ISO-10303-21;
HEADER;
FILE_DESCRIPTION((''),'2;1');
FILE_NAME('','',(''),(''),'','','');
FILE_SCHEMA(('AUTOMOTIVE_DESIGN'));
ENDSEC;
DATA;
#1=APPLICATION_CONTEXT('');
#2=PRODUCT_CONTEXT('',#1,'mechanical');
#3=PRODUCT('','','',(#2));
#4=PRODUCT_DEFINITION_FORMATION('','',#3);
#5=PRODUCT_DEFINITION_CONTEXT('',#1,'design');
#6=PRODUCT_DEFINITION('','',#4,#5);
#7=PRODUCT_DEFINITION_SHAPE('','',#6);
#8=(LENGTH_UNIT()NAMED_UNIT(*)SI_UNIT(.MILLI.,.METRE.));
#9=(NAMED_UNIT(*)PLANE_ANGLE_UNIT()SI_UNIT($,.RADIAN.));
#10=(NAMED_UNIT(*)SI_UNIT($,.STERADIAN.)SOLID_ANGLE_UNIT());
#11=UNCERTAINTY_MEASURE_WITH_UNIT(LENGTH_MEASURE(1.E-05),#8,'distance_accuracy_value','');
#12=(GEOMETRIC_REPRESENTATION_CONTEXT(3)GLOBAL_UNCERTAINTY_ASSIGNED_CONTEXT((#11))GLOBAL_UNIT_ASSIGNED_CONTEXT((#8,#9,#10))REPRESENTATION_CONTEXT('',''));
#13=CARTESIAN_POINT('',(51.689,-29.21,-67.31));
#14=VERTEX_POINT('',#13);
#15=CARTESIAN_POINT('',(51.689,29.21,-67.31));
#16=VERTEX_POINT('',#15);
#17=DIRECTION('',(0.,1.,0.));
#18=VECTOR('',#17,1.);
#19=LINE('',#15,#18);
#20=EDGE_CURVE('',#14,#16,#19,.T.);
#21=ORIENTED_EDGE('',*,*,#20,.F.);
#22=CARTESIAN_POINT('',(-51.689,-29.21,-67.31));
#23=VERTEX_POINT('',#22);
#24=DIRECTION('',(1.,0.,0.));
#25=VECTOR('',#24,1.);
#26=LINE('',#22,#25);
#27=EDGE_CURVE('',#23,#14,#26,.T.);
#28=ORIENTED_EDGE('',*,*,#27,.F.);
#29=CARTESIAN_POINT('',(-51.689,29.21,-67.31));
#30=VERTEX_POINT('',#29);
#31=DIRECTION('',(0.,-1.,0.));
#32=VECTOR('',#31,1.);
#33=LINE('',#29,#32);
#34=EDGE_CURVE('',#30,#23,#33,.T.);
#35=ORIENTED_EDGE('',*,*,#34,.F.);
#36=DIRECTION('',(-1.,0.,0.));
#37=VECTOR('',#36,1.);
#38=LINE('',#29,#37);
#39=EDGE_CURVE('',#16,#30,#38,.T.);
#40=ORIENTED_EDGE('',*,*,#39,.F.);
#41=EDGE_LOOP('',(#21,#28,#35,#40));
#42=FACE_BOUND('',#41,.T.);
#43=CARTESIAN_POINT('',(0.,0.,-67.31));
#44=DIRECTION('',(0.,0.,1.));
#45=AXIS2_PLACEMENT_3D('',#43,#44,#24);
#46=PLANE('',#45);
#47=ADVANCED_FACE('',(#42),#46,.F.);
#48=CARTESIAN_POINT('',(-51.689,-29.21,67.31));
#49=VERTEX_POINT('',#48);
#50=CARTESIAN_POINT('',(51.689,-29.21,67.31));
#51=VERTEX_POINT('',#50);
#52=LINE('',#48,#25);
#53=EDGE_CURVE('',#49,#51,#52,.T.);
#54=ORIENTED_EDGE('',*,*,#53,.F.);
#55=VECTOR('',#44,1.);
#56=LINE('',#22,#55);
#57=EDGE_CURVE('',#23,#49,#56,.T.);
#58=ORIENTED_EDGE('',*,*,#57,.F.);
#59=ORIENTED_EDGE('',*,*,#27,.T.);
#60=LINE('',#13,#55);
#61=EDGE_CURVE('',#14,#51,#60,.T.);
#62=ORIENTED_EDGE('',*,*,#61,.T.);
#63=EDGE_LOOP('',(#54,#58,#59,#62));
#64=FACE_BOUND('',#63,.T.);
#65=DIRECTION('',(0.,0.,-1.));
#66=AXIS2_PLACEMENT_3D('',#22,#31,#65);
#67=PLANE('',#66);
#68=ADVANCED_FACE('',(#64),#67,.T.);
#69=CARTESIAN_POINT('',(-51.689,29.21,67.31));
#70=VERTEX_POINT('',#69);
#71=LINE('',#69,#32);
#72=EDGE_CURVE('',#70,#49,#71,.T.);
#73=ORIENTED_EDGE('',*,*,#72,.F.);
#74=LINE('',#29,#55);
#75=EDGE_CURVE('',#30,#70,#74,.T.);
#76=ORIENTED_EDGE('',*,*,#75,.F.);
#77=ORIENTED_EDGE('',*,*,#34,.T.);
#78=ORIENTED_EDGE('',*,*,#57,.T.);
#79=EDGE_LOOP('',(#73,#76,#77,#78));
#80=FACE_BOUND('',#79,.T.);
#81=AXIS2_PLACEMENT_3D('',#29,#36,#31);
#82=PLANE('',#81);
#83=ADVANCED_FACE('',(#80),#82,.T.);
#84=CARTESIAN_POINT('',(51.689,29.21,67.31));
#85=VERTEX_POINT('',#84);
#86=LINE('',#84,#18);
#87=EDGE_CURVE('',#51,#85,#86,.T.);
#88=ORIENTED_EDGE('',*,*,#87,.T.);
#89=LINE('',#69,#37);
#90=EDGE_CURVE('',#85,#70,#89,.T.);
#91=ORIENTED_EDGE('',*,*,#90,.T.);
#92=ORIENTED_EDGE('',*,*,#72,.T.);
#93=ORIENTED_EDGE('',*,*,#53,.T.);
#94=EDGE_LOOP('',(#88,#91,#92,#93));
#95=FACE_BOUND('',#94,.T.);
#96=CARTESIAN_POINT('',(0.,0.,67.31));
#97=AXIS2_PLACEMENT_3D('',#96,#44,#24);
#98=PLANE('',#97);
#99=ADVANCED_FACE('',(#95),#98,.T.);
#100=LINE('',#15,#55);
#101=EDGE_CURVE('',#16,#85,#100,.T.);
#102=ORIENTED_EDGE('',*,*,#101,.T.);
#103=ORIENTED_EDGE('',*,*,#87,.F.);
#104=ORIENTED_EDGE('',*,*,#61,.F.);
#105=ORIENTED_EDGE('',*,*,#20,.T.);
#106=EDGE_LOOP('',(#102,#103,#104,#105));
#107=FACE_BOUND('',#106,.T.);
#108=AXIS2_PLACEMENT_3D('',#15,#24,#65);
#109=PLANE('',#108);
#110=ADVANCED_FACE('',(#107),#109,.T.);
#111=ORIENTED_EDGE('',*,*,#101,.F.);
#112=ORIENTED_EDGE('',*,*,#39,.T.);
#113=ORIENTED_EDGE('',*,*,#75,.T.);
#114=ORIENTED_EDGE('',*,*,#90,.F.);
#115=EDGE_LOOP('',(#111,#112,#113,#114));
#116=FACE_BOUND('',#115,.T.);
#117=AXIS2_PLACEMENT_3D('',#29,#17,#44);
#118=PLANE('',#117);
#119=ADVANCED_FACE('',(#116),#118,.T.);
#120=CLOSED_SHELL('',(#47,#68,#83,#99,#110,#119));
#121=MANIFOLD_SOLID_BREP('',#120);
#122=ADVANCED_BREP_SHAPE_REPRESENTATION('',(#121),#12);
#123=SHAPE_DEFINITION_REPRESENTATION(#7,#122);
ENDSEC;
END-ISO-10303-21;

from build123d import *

# Parameters (mm, degrees)
IZIM1_W                          = 103.378
IZIM1_H                          = 58.42
Y_KSEKLIK_EKSTR_ZYON1_DEPTH      = 67.31
Y_KSEKLIK_EKSTR_ZYON1_DEPTH_BACK = 67.31


with BuildPart() as part:
    # Çizim1 → Yükseklik-Ekstrüzyon1 (new body, two sides)
    with BuildSketch(Plane.XY) as y_kseklik_ekstr_zyon1_sk:
        Rectangle(IZIM1_W, IZIM1_H)
    extrude(amount=Y_KSEKLIK_EKSTR_ZYON1_DEPTH)
    extrude(y_kseklik_ekstr_zyon1_sk.sketch, amount=-Y_KSEKLIK_EKSTR_ZYON1_DEPTH_BACK)


solid = part.part
